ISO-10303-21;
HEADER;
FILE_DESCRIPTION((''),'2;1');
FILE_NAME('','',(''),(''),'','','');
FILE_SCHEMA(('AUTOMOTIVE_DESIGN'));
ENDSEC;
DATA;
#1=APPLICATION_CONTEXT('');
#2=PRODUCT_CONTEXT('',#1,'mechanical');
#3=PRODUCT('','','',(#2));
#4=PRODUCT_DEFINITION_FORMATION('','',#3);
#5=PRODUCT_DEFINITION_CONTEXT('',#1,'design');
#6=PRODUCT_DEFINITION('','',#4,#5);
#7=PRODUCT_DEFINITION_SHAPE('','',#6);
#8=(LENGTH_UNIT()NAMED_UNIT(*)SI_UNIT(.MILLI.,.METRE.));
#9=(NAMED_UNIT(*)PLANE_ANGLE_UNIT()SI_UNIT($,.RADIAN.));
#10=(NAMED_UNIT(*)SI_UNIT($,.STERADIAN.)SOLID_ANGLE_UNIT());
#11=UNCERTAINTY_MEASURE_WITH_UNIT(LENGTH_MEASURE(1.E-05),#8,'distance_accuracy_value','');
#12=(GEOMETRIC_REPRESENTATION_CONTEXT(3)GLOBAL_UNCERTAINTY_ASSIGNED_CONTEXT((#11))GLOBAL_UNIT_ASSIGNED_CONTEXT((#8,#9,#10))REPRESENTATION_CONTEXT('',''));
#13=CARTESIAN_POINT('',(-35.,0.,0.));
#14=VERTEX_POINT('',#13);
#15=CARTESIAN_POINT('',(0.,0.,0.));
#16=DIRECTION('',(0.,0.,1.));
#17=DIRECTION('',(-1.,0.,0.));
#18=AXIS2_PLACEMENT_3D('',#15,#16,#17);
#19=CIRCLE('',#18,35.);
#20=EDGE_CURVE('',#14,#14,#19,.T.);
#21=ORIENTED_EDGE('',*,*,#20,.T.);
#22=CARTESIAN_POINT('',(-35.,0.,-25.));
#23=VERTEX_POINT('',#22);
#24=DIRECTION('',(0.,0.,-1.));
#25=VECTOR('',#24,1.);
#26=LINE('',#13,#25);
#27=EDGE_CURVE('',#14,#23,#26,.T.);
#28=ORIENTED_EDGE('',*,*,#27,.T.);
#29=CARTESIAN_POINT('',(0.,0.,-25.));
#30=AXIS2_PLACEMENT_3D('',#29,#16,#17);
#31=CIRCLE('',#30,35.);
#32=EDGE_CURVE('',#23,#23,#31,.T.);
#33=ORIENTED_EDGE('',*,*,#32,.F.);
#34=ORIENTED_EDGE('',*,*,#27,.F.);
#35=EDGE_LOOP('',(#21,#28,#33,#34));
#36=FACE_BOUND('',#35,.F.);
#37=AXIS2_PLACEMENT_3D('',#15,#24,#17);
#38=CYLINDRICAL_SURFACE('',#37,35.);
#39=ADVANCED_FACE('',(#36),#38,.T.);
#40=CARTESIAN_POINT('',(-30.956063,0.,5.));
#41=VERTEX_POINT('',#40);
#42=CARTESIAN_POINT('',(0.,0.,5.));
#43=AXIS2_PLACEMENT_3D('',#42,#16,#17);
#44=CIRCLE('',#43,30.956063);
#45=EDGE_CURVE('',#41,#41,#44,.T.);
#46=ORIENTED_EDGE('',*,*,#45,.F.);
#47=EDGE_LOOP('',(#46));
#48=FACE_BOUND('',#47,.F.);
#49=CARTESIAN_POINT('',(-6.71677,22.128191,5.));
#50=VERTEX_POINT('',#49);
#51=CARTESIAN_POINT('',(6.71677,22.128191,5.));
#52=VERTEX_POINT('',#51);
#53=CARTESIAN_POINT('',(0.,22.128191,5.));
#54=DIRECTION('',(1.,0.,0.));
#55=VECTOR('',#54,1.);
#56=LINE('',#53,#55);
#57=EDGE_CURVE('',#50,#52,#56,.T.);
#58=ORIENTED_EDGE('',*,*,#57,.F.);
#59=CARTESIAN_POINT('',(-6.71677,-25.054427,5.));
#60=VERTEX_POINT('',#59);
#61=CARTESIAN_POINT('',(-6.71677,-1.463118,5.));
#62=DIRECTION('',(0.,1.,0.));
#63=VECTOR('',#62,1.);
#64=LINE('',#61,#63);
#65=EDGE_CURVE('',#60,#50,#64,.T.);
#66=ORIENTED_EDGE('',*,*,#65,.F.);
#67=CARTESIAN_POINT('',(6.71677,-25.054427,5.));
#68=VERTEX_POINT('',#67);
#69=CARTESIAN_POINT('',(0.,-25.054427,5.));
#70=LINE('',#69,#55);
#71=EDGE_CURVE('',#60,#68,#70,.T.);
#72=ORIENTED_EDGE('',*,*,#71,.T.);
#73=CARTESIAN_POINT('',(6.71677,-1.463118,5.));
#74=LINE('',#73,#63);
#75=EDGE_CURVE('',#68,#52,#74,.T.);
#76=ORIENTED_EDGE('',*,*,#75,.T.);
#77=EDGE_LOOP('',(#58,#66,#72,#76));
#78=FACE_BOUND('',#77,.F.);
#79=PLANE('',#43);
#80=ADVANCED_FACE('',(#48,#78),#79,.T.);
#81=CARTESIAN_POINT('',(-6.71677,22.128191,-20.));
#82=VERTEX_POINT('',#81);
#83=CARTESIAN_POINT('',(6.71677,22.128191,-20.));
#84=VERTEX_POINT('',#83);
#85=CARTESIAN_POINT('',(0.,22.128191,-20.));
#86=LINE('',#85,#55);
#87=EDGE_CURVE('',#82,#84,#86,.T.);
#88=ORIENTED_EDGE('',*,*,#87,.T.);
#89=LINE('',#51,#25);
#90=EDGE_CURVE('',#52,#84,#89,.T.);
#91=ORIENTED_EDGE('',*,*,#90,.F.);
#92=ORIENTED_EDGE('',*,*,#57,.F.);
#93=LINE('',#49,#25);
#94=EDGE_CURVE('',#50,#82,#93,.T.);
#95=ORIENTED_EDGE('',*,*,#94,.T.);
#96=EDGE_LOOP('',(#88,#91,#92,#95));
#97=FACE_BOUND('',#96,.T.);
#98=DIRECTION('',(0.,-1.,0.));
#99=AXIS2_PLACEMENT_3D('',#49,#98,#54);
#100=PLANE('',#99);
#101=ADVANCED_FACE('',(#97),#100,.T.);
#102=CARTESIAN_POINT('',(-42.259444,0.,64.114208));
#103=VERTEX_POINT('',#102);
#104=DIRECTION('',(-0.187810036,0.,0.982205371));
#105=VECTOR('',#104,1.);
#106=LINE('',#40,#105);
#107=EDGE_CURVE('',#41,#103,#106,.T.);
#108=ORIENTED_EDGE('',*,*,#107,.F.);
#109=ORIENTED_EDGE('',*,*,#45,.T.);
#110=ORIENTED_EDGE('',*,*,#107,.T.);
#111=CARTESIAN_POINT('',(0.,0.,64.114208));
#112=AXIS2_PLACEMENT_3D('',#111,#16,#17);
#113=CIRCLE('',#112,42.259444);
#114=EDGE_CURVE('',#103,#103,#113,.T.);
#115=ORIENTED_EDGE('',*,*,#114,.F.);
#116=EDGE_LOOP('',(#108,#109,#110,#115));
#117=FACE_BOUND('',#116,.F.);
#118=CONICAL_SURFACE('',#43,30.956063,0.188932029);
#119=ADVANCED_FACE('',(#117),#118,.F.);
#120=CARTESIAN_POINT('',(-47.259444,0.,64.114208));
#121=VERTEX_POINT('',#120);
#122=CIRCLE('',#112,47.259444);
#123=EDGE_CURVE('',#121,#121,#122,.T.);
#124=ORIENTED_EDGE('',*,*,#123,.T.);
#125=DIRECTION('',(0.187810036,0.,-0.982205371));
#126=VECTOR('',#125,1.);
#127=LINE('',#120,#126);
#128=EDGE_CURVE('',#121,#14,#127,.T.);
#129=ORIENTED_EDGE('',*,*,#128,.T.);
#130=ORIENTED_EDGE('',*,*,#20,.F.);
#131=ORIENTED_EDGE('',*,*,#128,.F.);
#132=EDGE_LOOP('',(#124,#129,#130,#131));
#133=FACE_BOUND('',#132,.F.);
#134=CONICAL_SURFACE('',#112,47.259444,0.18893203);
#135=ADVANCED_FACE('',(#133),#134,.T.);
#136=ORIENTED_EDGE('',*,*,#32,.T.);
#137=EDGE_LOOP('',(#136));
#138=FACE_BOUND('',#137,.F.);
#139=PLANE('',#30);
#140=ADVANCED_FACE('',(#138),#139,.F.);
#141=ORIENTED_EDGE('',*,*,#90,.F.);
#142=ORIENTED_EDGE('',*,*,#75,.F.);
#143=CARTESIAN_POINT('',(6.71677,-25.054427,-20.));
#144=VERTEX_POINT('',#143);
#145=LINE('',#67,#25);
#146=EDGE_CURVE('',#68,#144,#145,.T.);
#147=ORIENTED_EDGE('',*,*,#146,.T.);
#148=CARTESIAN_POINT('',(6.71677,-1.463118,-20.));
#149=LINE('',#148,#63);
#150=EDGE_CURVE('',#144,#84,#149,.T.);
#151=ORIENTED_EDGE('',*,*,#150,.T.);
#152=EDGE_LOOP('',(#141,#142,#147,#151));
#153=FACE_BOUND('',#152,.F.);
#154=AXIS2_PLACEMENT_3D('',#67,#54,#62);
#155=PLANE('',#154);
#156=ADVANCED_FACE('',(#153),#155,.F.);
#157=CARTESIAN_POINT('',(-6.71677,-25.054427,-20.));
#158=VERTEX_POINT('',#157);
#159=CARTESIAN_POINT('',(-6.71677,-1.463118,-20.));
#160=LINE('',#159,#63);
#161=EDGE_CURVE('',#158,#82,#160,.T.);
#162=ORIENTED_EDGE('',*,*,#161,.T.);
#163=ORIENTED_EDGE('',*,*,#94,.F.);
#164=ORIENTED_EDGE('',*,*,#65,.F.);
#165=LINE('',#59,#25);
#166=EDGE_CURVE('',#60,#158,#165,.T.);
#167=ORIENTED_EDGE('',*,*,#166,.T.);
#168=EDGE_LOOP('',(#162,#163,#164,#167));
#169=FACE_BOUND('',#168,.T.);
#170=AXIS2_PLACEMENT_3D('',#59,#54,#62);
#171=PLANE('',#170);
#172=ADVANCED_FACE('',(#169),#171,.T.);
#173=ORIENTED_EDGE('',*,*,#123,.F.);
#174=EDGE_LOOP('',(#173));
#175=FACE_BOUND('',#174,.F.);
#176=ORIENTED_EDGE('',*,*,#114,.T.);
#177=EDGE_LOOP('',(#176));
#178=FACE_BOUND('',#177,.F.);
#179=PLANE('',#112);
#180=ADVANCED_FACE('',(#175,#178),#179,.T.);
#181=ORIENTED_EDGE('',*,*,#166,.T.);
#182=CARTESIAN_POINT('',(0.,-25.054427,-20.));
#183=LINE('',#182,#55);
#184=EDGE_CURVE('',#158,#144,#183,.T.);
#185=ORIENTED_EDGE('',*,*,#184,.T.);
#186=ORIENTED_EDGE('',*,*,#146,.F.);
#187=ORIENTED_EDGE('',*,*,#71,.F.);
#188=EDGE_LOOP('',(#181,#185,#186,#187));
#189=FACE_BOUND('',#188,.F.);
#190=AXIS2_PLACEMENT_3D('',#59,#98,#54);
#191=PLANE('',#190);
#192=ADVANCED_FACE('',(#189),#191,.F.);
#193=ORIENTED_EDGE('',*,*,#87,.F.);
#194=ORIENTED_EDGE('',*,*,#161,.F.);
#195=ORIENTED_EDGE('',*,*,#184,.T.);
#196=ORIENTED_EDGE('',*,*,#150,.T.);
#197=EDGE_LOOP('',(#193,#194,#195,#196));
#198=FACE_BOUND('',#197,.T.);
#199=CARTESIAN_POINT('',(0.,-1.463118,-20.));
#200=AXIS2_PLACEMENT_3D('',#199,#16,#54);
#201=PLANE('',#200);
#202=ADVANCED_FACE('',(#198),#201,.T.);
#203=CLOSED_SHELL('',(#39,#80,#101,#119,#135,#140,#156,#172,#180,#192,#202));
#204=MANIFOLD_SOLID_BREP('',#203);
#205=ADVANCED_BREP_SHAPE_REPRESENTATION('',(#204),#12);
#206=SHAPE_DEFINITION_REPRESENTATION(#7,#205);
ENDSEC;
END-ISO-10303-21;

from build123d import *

# Parameters (mm, degrees)
F2_W     = 13.43354
F2_H     = 47.182618
F3_DEPTH = 25


with BuildPart() as f1:
    # F0 (on Front) → F1 (revolve)
    with BuildSketch(Plane.XZ):
        Polygon((-42.259444, 64.114208), (-47.259444, 64.114208), (-35, 0), (-35, -25), (0, -25), (0, 0), (0, 5), (-30.956063, 5), align=None)
    revolve(axis=Axis((0, 0, -12.5), (0, 0, 1)))

    # F2 (on face) → F3 (cut)
    with BuildSketch(Plane.XY.offset(5)):
        with Locations((0, -1.463118)):
            Rectangle(F2_W, F2_H)
    extrude(amount=-F3_DEPTH, mode=Mode.SUBTRACT)


solid = f1.part
